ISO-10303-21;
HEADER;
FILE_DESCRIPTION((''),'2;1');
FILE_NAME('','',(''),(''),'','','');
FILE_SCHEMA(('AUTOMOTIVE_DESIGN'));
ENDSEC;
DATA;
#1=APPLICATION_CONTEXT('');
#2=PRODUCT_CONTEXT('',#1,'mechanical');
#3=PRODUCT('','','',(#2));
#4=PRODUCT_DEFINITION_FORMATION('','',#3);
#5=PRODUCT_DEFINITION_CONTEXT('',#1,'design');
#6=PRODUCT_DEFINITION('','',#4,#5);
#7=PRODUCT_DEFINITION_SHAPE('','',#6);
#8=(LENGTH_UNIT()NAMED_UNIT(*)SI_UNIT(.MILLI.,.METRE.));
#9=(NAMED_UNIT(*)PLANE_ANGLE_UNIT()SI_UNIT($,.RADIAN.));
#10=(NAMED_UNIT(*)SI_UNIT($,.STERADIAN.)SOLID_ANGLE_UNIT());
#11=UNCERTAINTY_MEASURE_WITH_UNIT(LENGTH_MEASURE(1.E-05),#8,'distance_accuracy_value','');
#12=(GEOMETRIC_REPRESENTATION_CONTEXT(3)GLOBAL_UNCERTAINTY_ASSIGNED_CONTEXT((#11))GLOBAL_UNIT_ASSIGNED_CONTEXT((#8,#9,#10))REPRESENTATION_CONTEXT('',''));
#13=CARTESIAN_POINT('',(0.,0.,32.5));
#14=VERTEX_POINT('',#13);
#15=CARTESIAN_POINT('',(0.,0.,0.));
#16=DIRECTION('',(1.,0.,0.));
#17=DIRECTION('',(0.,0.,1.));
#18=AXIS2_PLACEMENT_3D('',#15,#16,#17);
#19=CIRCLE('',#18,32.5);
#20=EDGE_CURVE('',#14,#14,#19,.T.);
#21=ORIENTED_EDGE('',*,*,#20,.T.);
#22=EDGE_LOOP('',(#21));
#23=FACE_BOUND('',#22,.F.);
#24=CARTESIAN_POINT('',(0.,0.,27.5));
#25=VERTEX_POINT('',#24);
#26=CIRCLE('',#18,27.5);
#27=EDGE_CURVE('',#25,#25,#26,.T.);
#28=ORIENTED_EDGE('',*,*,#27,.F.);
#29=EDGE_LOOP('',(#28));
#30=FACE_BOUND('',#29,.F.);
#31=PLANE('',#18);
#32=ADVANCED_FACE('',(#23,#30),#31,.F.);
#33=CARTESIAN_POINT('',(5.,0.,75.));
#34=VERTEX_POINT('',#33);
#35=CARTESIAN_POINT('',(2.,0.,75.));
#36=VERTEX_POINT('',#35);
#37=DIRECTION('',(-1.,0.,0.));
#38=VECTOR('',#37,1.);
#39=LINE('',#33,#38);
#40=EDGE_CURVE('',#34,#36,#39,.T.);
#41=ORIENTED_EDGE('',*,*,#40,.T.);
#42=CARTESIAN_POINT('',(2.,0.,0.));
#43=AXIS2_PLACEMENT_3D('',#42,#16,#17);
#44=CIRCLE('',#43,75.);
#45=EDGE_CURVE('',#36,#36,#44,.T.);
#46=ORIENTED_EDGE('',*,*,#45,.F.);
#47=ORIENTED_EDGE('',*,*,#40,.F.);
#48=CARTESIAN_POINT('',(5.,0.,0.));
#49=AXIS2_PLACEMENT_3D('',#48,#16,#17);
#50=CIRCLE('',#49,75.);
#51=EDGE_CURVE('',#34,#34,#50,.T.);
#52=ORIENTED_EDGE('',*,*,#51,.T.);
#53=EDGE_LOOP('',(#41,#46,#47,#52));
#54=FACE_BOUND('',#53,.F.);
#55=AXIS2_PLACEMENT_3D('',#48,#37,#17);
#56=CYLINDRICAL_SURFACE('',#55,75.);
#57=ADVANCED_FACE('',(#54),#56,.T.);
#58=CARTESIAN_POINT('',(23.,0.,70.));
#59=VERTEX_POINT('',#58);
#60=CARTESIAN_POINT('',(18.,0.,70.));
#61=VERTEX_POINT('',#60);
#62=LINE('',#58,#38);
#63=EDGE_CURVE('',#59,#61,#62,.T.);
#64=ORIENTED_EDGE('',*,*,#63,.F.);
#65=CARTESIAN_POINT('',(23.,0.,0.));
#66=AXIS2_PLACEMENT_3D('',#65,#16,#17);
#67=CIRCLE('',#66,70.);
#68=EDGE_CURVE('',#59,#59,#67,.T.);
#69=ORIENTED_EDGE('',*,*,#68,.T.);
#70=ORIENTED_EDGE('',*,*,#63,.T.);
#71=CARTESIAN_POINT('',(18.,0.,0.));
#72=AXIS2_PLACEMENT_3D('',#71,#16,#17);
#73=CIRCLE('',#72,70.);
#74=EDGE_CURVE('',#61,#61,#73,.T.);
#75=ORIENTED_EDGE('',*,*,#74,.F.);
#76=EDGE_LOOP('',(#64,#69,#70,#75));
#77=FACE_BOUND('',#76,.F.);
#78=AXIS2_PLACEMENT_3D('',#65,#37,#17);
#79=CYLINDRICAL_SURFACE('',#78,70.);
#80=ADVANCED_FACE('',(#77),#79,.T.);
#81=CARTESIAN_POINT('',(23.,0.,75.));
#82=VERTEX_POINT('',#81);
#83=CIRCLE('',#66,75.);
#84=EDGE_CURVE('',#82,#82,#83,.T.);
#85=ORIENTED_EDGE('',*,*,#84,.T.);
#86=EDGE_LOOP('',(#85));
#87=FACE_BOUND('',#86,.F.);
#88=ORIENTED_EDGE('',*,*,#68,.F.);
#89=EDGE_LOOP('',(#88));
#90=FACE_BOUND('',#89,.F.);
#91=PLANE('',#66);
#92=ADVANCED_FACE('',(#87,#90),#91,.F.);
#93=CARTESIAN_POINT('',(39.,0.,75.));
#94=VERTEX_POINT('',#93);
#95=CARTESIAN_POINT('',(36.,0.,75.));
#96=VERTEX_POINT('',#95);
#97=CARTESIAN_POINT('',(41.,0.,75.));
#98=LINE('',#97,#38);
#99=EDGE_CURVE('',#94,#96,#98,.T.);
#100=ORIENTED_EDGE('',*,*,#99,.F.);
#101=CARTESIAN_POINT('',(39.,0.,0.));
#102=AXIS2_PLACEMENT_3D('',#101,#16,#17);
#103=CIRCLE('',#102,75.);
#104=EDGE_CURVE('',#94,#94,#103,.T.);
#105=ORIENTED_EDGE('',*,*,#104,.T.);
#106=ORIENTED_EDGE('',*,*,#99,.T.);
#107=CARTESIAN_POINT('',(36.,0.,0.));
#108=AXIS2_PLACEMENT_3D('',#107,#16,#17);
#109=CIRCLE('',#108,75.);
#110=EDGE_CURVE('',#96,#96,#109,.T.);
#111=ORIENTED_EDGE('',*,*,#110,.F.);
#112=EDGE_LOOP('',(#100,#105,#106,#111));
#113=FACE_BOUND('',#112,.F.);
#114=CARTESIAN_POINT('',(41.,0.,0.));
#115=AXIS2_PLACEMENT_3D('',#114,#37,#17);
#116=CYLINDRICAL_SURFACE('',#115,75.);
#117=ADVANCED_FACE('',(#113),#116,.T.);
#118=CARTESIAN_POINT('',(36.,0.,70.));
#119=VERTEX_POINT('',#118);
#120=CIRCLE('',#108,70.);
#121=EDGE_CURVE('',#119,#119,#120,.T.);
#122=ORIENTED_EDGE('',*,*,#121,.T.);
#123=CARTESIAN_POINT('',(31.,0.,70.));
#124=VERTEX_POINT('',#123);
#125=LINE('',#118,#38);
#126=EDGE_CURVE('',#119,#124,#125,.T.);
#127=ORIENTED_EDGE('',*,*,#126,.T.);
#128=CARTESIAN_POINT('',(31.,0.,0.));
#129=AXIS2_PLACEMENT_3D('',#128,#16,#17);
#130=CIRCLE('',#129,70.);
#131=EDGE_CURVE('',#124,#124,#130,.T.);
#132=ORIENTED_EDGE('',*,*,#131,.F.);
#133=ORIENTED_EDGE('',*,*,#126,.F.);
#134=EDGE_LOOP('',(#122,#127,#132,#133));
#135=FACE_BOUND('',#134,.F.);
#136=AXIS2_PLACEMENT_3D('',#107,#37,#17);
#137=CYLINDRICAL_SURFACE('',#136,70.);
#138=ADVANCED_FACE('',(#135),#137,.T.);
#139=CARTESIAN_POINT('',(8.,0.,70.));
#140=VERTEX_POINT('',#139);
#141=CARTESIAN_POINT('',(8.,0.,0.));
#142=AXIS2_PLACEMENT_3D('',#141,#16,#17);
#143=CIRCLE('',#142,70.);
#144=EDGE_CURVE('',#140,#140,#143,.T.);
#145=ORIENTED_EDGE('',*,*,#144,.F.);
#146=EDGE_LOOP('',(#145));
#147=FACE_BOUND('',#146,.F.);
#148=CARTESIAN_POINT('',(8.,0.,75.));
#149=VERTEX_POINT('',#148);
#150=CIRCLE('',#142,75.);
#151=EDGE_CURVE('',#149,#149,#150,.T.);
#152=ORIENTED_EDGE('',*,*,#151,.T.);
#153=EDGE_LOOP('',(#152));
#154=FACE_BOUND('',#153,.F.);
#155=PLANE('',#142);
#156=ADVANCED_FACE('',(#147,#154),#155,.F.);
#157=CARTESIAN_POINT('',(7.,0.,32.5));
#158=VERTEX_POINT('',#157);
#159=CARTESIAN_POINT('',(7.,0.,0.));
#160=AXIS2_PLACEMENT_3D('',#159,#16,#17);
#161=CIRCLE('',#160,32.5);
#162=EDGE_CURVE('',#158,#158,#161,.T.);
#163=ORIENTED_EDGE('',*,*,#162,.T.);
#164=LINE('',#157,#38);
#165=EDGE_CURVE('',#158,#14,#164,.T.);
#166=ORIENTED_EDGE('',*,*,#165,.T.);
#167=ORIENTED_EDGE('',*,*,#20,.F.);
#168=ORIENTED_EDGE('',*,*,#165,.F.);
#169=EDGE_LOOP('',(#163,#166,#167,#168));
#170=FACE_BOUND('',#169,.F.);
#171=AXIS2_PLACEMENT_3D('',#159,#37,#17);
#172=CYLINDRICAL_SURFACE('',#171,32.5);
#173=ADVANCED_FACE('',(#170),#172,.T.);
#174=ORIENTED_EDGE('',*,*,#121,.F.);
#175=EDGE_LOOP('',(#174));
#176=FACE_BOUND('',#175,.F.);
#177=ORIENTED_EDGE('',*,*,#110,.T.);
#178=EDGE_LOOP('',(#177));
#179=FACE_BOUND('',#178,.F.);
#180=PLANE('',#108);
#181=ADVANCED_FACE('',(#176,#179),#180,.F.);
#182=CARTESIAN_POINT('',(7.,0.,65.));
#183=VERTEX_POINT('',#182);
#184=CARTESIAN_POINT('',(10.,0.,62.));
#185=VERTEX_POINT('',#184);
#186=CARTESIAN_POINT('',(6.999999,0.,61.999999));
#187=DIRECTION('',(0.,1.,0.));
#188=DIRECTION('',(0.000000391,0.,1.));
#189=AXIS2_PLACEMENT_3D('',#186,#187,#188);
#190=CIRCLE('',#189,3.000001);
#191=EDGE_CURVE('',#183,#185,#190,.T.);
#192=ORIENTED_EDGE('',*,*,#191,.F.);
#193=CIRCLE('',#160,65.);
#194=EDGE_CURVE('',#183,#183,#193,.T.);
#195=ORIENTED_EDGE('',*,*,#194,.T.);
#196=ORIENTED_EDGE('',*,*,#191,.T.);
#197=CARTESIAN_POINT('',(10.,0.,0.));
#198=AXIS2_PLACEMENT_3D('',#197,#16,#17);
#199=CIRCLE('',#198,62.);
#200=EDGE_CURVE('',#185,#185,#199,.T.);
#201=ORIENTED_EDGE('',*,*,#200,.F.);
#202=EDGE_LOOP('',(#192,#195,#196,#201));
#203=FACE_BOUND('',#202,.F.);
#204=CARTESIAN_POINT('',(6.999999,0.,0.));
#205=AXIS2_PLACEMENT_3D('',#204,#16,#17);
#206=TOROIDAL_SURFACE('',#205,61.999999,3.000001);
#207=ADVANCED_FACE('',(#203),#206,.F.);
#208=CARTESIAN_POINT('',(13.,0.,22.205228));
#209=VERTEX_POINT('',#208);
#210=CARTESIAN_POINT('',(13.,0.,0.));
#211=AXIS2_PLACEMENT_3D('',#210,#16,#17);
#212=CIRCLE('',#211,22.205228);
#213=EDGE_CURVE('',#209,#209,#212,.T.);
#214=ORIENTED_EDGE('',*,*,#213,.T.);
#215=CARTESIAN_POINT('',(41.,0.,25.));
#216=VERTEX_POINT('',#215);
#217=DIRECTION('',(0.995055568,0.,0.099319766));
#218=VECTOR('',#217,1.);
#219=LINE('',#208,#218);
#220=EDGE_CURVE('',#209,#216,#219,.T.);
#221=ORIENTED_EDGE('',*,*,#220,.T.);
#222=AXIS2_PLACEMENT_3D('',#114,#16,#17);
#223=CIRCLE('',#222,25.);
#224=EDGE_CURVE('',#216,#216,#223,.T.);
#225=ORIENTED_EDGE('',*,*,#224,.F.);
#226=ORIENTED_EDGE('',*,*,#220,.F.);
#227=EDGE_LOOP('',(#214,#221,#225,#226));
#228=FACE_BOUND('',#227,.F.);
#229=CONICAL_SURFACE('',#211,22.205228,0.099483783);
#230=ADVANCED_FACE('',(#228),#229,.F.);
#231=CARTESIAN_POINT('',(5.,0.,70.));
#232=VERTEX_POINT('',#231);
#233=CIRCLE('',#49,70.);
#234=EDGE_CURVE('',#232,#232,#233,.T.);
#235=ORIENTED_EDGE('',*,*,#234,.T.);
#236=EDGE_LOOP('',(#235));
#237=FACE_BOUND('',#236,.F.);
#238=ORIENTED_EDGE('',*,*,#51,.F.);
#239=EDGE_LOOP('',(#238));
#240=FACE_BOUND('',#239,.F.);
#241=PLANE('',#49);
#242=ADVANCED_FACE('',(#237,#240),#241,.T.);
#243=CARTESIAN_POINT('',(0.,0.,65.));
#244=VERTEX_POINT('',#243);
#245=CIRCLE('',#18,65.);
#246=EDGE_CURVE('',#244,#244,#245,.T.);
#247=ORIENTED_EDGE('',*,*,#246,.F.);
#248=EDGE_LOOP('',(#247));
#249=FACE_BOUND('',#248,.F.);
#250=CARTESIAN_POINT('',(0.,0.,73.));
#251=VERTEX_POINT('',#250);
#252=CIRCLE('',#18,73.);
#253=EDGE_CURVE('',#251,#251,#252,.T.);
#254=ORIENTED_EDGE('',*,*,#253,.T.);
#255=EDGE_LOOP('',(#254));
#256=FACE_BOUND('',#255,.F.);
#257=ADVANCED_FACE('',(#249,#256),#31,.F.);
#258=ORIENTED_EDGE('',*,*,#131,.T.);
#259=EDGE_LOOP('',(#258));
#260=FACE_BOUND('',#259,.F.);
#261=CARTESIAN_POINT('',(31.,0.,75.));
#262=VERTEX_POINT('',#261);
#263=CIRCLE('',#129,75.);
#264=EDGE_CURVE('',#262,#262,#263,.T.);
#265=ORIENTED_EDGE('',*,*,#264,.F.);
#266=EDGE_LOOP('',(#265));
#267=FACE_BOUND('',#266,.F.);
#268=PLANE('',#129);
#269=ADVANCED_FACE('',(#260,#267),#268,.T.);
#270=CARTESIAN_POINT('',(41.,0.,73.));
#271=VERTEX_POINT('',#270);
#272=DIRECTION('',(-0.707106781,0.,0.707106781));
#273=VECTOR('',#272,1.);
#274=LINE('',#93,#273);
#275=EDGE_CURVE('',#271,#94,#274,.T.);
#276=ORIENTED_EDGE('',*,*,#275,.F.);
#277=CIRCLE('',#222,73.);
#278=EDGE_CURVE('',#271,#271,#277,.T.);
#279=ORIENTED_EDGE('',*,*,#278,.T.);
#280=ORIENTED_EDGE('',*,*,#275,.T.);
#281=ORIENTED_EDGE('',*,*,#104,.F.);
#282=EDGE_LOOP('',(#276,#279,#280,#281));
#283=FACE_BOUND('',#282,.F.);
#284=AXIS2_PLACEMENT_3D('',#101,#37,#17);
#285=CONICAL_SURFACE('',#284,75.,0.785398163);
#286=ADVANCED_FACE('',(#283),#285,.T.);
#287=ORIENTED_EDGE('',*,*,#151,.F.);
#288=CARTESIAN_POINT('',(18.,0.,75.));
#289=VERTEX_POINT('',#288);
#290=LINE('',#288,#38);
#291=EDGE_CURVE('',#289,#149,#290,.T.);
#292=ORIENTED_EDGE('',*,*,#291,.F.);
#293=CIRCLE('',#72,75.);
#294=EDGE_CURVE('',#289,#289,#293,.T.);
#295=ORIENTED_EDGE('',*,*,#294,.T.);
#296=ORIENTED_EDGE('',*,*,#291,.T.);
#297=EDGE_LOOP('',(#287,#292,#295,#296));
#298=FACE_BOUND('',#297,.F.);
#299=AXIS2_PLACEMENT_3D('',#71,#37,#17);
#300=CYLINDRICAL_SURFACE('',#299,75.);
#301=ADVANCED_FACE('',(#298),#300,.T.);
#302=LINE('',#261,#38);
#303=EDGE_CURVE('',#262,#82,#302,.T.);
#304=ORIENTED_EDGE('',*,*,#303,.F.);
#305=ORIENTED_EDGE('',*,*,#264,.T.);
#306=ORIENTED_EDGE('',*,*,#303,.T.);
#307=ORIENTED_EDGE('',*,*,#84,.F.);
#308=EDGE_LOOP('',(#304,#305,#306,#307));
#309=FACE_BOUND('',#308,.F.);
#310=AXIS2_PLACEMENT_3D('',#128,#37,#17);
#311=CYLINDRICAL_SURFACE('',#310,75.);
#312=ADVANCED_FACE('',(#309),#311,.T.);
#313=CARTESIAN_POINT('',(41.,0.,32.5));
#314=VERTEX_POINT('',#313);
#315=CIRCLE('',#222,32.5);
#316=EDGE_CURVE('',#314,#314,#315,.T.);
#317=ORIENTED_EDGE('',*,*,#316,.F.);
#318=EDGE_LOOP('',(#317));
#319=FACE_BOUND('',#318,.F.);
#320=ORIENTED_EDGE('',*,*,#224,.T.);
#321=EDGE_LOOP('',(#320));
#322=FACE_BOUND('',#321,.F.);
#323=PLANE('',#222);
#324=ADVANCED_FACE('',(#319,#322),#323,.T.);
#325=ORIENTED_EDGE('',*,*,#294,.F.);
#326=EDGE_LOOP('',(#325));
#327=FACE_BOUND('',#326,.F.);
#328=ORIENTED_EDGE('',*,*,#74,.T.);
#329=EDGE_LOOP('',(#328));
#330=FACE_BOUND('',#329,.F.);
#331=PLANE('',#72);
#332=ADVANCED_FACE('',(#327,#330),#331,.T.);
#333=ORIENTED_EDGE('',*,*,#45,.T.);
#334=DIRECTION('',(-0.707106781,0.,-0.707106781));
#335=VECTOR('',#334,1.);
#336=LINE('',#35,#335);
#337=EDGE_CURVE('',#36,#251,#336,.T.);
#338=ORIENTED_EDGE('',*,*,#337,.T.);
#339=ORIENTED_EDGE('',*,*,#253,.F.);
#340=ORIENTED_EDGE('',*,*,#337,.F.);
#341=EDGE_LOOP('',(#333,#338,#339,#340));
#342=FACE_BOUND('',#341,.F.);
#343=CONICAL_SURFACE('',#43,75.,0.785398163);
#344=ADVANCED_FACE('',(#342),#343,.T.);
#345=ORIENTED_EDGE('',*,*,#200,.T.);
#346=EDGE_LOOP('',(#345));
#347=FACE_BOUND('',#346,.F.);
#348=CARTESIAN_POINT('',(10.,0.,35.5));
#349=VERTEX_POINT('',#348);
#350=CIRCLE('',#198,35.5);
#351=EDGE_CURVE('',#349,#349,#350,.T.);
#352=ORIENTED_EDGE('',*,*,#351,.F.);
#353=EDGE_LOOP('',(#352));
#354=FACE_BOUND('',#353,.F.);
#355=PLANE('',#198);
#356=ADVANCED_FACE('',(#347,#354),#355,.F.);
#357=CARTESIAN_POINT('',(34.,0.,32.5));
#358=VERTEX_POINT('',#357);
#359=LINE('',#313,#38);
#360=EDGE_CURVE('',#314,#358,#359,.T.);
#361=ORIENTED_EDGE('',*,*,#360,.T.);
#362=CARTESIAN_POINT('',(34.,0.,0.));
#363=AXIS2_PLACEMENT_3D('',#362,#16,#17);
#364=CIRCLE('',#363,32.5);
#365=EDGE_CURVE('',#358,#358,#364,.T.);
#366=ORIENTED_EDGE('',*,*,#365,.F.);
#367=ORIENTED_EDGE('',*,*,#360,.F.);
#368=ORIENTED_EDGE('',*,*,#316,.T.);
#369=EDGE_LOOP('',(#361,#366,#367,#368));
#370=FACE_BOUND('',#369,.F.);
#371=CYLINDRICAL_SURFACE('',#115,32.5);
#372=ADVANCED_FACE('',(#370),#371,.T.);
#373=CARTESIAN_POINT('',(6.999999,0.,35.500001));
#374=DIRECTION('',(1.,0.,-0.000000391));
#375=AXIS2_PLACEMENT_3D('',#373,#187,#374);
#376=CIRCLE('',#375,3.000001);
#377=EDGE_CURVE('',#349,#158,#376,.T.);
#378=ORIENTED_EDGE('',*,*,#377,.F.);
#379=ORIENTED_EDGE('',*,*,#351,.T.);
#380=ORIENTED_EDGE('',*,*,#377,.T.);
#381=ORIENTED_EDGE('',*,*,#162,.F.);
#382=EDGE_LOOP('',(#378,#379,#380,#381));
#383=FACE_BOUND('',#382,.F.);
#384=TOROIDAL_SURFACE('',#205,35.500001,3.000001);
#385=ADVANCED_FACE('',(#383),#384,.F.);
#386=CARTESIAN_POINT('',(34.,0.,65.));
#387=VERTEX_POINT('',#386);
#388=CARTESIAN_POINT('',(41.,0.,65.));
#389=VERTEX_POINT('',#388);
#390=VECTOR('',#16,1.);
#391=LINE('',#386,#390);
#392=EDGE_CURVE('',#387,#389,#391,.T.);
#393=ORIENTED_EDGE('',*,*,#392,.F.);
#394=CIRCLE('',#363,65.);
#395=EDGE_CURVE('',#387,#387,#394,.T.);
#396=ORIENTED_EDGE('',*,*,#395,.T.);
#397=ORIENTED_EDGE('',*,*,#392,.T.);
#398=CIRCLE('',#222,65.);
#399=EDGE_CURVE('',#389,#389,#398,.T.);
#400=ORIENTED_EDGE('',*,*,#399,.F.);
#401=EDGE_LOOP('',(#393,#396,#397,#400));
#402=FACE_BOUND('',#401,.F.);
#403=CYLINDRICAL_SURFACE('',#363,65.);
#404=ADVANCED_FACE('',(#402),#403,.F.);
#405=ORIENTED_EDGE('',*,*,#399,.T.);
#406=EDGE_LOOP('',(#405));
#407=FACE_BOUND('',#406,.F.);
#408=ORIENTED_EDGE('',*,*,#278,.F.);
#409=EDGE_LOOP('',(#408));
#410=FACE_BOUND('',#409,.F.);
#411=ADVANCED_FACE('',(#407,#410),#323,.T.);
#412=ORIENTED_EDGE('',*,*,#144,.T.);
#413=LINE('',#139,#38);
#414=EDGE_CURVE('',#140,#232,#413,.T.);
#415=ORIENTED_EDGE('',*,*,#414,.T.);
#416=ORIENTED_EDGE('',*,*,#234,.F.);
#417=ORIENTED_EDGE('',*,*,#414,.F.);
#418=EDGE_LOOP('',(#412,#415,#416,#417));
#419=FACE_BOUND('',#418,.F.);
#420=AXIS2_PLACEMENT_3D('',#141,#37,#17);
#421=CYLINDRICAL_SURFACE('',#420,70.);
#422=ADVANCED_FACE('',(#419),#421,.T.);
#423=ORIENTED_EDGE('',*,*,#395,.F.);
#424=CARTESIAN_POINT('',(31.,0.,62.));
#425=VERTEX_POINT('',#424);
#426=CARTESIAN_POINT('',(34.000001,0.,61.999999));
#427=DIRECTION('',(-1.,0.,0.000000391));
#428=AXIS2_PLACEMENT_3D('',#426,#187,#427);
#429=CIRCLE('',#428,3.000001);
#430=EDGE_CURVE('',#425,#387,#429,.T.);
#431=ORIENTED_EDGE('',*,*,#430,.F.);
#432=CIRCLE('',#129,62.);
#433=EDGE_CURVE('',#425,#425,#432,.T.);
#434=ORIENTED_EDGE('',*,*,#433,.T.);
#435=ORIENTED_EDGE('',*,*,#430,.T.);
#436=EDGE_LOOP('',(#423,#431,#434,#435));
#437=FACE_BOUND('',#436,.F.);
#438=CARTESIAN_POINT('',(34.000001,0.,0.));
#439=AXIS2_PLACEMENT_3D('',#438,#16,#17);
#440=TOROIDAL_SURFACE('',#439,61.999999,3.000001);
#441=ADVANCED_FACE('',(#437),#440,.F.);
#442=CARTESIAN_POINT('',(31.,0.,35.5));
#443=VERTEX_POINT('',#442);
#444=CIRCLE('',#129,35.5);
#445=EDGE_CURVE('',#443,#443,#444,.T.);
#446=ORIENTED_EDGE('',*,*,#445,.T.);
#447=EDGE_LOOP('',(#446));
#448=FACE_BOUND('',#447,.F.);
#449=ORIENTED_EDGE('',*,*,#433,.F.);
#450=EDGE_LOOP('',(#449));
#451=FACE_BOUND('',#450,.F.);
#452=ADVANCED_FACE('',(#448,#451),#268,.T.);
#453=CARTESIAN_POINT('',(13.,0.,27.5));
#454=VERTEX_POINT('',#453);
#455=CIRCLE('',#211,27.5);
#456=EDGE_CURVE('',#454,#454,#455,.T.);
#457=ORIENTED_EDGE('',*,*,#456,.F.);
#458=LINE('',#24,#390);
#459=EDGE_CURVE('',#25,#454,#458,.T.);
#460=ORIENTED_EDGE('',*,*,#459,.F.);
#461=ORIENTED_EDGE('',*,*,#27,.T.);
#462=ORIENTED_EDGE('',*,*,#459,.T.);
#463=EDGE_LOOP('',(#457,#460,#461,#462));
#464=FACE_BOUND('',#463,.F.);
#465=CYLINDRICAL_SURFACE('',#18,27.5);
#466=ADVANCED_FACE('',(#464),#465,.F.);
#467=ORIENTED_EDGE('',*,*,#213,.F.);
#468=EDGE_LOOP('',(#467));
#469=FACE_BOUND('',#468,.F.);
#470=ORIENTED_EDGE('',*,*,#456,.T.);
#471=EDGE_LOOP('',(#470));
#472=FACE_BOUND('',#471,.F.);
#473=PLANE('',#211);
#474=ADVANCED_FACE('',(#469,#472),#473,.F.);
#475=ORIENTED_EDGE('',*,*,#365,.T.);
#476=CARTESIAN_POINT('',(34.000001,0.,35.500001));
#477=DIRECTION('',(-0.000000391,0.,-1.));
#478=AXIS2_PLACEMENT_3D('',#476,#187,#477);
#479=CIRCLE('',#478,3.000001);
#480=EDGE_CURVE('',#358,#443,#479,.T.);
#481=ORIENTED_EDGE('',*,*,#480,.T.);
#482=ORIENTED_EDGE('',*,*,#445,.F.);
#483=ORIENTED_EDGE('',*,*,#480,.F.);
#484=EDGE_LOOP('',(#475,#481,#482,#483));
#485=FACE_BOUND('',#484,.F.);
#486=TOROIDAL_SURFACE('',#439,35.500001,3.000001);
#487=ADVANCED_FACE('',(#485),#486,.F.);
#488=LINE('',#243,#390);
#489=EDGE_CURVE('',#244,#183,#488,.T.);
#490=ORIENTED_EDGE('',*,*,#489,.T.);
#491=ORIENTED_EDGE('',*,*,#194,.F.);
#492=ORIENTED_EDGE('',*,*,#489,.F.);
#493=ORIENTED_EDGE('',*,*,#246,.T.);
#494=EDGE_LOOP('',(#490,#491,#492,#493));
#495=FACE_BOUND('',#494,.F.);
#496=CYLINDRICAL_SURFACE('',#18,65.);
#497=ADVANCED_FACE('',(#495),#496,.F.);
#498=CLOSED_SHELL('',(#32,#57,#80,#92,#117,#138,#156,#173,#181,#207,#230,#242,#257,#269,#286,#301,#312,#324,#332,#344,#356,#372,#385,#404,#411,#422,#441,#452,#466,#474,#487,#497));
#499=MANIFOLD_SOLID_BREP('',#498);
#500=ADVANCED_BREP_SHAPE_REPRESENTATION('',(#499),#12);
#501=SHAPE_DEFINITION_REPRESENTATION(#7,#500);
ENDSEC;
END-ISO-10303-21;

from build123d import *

# Parameters (mm, degrees)
F2_SIZE = 2


with BuildPart() as f1:
    # F0 (on Front) → F1 (revolve)
    with BuildSketch(Plane.XZ):
        with BuildLine():
            Line((0, 32.5), (0, 27.5))
            Line((0, 27.5), (13, 27.5))
            Line((13, 27.5), (13, 22.205228))
            Line((13, 22.205228), (41, 25))
            Line((41, 25), (41, 32.5))
            Line((41, 32.5), (34, 32.5))
            ThreePointArc((34, 32.5), (31.87868, 33.37868), (31, 35.5))
            Line((31, 35.5), (31, 62))
            ThreePointArc((31, 62), (31.87868, 64.12132), (34, 65))
            Line((34, 65), (41, 65))
            Line((41, 65), (41, 75))
            Line((41, 75), (36, 75))
            Line((36, 75), (36, 70))
            Line((36, 70), (31, 70))
            Line((31, 70), (31, 75))
            Line((31, 75), (23, 75))
            Line((23, 75), (23, 70))
            Line((23, 70), (18, 70))
            Line((18, 70), (18, 75))
            Line((18, 75), (8, 75))
            Line((8, 75), (8, 70))
            Line((8, 70), (5, 70))
            Line((5, 70), (5, 75))
            Line((5, 75), (0, 75))
            Line((0, 75), (0, 65))
            Line((0, 65), (7, 65))
            ThreePointArc((7, 65), (9.12132, 64.12132), (10, 62))
            Line((10, 62), (10, 35.5))
            ThreePointArc((10, 35.5), (9.12132, 33.37868), (7, 32.5))
            Line((7, 32.5), (0, 32.5))
        make_face()
    revolve(axis=Axis((20.5, 0, 0), (1, 0, 0)))

    # F2
    f2_edges = [f1.edges().sort_by_distance(p)[0] for p in [
        (41, 0, -75),
        (0, 0, -75),
    ]]
    chamfer(f2_edges, length=F2_SIZE)


solid = f1.part
